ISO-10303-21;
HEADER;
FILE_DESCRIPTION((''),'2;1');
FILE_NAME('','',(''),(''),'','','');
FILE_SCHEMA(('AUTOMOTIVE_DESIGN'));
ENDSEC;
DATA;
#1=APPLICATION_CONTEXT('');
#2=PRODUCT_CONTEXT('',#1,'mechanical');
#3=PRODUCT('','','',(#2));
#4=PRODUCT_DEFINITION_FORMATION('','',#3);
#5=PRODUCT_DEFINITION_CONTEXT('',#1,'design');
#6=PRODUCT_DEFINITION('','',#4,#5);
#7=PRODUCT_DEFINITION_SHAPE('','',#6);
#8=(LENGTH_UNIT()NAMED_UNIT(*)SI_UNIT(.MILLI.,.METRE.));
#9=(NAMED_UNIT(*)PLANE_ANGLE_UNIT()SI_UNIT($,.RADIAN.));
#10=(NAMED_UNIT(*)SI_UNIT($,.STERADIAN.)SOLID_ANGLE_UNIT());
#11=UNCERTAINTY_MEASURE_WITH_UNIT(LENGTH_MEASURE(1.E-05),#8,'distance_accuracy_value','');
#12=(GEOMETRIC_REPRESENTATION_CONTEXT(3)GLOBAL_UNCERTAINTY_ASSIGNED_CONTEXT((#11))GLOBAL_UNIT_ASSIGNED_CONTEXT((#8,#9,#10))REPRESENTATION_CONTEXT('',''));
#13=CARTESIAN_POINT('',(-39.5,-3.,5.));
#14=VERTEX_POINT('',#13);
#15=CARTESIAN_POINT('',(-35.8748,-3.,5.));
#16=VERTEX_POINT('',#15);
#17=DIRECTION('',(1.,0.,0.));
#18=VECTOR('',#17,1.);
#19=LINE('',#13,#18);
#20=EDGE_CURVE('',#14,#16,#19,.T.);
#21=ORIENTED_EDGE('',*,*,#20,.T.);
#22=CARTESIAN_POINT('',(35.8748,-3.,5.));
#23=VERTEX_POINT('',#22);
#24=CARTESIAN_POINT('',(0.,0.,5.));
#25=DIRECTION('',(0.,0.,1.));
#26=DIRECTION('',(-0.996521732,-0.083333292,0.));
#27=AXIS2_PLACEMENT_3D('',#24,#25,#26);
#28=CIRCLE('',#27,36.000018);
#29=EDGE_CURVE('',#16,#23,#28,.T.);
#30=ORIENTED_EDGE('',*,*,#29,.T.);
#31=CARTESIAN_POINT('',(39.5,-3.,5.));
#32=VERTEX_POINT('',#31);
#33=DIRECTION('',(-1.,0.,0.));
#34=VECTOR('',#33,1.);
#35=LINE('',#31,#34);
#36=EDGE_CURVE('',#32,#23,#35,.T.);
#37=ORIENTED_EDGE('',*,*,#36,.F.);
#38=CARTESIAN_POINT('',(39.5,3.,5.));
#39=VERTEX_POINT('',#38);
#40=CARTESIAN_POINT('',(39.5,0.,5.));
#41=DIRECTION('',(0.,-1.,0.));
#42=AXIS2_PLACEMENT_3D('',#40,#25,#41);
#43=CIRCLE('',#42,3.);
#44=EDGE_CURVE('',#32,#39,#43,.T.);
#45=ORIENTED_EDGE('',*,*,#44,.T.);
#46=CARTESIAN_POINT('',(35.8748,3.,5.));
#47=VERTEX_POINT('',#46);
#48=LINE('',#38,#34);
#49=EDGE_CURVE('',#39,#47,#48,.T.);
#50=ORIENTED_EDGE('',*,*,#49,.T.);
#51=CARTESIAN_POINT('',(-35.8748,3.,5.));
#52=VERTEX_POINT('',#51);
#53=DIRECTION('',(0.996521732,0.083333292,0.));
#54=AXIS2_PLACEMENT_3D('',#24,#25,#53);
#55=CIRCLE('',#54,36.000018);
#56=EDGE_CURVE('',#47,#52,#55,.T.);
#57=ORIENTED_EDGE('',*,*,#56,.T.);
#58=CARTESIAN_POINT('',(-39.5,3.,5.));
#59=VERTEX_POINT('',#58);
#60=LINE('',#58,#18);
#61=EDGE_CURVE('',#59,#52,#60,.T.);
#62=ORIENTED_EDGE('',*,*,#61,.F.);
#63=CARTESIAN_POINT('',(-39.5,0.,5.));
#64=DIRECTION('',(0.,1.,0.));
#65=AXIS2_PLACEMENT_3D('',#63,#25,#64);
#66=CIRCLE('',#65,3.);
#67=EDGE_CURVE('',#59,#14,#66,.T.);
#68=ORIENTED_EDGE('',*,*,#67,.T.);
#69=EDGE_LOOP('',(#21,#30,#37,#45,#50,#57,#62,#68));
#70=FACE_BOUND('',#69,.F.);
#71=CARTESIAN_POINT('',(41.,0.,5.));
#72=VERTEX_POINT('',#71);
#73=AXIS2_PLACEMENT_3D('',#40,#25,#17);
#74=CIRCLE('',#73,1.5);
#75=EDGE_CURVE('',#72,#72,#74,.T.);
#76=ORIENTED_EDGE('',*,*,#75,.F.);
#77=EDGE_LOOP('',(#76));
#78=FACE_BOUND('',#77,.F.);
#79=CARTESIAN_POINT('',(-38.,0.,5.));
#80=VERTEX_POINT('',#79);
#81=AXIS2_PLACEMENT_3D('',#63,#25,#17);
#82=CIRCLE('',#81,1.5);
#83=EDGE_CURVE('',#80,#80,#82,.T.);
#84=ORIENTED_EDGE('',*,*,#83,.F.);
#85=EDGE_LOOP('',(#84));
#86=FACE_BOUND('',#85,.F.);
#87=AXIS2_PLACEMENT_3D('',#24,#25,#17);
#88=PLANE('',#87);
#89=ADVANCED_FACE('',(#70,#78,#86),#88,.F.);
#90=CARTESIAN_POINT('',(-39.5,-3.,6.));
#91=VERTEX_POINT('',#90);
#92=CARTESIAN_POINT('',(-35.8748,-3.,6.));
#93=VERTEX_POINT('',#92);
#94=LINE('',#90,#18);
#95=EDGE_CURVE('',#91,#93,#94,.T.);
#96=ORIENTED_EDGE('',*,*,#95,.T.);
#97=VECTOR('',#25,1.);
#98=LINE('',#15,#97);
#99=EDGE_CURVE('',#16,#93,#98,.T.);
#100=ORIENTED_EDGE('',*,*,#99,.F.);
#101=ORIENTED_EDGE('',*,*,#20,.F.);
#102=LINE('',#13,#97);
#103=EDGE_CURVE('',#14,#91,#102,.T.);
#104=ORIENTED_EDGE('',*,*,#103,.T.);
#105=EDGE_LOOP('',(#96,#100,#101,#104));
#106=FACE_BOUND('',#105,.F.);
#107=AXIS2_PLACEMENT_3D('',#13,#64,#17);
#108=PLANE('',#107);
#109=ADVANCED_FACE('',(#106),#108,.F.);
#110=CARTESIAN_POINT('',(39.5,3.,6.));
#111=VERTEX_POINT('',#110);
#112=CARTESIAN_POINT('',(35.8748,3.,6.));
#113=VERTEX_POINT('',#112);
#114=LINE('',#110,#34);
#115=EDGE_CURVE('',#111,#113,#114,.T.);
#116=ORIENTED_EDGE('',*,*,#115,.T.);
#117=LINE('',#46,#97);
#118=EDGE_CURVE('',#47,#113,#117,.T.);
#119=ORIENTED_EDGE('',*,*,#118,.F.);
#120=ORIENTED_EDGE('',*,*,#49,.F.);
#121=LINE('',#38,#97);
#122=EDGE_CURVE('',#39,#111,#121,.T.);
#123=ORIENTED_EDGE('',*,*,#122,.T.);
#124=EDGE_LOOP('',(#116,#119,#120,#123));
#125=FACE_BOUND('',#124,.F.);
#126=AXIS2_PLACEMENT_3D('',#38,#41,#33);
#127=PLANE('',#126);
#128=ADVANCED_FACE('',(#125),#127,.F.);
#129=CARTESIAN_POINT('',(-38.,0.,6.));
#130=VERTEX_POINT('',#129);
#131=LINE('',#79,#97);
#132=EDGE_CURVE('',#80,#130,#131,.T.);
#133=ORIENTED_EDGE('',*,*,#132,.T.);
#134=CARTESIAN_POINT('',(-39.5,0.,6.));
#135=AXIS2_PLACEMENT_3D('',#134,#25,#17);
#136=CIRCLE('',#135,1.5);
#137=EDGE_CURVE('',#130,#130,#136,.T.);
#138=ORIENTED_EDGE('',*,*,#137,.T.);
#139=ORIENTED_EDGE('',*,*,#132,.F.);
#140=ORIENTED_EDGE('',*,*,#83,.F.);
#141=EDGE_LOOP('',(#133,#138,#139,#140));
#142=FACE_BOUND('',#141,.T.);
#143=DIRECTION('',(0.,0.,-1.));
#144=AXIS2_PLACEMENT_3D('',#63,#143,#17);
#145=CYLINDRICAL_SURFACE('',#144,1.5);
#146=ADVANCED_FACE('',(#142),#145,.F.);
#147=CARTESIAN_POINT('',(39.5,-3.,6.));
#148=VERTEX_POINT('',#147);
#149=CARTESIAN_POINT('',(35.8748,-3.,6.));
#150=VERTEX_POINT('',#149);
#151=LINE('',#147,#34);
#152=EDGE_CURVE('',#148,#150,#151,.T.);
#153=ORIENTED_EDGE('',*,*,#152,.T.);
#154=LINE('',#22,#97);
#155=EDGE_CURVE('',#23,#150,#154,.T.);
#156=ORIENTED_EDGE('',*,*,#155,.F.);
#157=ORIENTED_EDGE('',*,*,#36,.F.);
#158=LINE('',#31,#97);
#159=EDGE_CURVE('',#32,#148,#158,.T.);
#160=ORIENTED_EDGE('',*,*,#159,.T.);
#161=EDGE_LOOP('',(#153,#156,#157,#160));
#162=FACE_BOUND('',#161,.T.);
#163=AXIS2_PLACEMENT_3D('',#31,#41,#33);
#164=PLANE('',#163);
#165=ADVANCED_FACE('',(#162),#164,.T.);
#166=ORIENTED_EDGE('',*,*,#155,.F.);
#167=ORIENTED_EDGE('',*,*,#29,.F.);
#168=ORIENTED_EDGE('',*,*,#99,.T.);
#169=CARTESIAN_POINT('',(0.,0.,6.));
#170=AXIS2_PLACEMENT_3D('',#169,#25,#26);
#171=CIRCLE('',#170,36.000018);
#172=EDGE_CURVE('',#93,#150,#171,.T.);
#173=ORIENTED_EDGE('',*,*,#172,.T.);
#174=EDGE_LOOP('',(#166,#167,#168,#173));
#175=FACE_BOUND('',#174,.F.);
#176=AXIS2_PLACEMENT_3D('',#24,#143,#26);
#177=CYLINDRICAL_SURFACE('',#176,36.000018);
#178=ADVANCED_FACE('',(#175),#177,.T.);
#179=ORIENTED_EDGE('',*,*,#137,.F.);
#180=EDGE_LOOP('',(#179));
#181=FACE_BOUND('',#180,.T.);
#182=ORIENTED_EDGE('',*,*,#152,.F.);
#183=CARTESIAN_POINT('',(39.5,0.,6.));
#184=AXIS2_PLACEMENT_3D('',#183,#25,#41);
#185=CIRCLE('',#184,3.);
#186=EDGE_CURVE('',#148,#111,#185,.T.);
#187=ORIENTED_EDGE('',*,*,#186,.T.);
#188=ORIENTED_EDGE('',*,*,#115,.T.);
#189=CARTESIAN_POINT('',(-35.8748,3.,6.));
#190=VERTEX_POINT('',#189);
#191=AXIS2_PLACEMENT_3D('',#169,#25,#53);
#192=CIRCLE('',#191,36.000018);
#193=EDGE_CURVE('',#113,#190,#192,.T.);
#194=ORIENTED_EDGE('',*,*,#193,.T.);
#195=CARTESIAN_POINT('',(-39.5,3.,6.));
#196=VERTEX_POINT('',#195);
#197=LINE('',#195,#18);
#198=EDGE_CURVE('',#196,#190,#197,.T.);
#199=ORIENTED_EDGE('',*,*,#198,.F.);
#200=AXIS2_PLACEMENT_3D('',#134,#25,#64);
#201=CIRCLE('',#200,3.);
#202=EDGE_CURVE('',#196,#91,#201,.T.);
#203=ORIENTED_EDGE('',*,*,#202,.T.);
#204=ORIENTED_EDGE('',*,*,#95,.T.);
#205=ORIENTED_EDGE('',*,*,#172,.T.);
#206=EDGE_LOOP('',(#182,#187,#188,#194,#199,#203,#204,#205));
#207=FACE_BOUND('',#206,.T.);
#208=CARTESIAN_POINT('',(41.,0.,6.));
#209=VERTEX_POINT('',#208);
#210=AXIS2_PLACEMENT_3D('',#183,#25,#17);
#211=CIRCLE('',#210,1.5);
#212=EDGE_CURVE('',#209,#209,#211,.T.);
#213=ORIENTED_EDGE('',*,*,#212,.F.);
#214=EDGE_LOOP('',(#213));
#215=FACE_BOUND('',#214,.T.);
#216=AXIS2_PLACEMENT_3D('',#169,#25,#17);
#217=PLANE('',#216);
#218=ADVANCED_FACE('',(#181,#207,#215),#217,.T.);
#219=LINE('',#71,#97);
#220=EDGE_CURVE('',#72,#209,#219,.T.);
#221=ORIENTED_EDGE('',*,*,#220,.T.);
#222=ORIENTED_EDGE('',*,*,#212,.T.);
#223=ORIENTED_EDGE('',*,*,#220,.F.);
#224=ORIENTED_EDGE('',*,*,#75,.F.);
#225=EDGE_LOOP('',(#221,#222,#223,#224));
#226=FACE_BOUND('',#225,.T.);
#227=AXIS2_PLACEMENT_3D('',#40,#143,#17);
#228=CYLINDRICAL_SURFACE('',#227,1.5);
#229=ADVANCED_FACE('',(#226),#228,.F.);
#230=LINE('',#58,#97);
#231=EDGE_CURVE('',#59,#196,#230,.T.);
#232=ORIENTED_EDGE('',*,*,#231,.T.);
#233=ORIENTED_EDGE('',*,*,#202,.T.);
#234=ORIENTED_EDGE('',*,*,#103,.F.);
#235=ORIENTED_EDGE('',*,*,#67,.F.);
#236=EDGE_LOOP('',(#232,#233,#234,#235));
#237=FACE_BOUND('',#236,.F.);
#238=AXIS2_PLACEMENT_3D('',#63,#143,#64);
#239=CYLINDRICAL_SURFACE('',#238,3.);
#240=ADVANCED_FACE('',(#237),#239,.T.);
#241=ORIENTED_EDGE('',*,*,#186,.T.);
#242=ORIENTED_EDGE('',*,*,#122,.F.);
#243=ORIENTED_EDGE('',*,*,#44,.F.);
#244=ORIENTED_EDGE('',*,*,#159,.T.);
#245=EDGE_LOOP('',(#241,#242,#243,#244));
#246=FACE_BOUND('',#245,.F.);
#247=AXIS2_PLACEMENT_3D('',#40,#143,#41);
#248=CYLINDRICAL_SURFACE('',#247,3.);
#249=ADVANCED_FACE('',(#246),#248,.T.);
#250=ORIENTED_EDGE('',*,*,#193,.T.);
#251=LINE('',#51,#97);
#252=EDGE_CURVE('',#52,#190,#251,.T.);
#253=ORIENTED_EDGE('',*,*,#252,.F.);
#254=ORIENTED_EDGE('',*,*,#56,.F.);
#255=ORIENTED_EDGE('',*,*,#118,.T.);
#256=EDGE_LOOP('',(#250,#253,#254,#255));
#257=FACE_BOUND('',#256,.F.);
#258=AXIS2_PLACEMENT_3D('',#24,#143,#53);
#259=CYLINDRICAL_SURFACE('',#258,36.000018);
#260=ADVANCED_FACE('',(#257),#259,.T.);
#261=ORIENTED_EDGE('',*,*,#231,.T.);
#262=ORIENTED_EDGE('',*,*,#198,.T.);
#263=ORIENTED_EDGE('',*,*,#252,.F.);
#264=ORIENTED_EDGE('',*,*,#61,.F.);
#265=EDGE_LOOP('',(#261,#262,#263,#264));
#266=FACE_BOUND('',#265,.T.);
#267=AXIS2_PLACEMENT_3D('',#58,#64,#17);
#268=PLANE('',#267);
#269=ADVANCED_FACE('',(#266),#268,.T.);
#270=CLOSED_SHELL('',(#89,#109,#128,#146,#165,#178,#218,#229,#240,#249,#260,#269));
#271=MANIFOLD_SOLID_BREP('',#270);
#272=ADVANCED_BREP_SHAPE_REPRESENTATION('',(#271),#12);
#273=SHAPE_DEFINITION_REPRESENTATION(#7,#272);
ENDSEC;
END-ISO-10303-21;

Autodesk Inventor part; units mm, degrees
ref_plane "YZ Plane" through (0, 0, 0) normal (1, 0, 0) x (0, 1, 0)
ref_plane "XZ Plane" through (0, 0, 0) normal (0, 1, 0) x (-1, 0, 0)
ref_plane "XY Plane" through (0, 0, 0) normal (0, 0, 1) x (1, 0, 0)
ref_plane "Work Plane1" through (0, 0, 5) normal (0, 0, 1) x (1, 0, 0)
sketch "Sketch1" plane through (0, 0, 5) normal (0, 0, 1) x (1, 0, 0)
  circle A0 centre (-39.5, 0) radius 1.5
  arc A1 (-39.5, 3) -> (-39.5, -3) centre (-39.5, 0) ccw
  line L0 (-39.5, -3) -> (-35.8748, -3)
  line L1 (-39.5, 3) -> (-35.8748, 3)
  circle A2 centre (39.5, 0) radius 1.5
  arc A3 (39.5, -3) -> (39.5, 3) centre (39.5, 0) ccw
  line L2 (39.5, -3) -> (35.8748, -3)
  line L3 (39.5, 3) -> (35.8748, 3)
  arc A4 (-35.8748, -3) -> (35.8748, -3) centre (0, 0) ccw
  arc A5 (35.8748, 3) -> (-35.8748, 3) centre (0, 0) ccw
extrude "Extrusion3" add sketch "Sketch1" along normal blind 1
properties part number "frame4"
